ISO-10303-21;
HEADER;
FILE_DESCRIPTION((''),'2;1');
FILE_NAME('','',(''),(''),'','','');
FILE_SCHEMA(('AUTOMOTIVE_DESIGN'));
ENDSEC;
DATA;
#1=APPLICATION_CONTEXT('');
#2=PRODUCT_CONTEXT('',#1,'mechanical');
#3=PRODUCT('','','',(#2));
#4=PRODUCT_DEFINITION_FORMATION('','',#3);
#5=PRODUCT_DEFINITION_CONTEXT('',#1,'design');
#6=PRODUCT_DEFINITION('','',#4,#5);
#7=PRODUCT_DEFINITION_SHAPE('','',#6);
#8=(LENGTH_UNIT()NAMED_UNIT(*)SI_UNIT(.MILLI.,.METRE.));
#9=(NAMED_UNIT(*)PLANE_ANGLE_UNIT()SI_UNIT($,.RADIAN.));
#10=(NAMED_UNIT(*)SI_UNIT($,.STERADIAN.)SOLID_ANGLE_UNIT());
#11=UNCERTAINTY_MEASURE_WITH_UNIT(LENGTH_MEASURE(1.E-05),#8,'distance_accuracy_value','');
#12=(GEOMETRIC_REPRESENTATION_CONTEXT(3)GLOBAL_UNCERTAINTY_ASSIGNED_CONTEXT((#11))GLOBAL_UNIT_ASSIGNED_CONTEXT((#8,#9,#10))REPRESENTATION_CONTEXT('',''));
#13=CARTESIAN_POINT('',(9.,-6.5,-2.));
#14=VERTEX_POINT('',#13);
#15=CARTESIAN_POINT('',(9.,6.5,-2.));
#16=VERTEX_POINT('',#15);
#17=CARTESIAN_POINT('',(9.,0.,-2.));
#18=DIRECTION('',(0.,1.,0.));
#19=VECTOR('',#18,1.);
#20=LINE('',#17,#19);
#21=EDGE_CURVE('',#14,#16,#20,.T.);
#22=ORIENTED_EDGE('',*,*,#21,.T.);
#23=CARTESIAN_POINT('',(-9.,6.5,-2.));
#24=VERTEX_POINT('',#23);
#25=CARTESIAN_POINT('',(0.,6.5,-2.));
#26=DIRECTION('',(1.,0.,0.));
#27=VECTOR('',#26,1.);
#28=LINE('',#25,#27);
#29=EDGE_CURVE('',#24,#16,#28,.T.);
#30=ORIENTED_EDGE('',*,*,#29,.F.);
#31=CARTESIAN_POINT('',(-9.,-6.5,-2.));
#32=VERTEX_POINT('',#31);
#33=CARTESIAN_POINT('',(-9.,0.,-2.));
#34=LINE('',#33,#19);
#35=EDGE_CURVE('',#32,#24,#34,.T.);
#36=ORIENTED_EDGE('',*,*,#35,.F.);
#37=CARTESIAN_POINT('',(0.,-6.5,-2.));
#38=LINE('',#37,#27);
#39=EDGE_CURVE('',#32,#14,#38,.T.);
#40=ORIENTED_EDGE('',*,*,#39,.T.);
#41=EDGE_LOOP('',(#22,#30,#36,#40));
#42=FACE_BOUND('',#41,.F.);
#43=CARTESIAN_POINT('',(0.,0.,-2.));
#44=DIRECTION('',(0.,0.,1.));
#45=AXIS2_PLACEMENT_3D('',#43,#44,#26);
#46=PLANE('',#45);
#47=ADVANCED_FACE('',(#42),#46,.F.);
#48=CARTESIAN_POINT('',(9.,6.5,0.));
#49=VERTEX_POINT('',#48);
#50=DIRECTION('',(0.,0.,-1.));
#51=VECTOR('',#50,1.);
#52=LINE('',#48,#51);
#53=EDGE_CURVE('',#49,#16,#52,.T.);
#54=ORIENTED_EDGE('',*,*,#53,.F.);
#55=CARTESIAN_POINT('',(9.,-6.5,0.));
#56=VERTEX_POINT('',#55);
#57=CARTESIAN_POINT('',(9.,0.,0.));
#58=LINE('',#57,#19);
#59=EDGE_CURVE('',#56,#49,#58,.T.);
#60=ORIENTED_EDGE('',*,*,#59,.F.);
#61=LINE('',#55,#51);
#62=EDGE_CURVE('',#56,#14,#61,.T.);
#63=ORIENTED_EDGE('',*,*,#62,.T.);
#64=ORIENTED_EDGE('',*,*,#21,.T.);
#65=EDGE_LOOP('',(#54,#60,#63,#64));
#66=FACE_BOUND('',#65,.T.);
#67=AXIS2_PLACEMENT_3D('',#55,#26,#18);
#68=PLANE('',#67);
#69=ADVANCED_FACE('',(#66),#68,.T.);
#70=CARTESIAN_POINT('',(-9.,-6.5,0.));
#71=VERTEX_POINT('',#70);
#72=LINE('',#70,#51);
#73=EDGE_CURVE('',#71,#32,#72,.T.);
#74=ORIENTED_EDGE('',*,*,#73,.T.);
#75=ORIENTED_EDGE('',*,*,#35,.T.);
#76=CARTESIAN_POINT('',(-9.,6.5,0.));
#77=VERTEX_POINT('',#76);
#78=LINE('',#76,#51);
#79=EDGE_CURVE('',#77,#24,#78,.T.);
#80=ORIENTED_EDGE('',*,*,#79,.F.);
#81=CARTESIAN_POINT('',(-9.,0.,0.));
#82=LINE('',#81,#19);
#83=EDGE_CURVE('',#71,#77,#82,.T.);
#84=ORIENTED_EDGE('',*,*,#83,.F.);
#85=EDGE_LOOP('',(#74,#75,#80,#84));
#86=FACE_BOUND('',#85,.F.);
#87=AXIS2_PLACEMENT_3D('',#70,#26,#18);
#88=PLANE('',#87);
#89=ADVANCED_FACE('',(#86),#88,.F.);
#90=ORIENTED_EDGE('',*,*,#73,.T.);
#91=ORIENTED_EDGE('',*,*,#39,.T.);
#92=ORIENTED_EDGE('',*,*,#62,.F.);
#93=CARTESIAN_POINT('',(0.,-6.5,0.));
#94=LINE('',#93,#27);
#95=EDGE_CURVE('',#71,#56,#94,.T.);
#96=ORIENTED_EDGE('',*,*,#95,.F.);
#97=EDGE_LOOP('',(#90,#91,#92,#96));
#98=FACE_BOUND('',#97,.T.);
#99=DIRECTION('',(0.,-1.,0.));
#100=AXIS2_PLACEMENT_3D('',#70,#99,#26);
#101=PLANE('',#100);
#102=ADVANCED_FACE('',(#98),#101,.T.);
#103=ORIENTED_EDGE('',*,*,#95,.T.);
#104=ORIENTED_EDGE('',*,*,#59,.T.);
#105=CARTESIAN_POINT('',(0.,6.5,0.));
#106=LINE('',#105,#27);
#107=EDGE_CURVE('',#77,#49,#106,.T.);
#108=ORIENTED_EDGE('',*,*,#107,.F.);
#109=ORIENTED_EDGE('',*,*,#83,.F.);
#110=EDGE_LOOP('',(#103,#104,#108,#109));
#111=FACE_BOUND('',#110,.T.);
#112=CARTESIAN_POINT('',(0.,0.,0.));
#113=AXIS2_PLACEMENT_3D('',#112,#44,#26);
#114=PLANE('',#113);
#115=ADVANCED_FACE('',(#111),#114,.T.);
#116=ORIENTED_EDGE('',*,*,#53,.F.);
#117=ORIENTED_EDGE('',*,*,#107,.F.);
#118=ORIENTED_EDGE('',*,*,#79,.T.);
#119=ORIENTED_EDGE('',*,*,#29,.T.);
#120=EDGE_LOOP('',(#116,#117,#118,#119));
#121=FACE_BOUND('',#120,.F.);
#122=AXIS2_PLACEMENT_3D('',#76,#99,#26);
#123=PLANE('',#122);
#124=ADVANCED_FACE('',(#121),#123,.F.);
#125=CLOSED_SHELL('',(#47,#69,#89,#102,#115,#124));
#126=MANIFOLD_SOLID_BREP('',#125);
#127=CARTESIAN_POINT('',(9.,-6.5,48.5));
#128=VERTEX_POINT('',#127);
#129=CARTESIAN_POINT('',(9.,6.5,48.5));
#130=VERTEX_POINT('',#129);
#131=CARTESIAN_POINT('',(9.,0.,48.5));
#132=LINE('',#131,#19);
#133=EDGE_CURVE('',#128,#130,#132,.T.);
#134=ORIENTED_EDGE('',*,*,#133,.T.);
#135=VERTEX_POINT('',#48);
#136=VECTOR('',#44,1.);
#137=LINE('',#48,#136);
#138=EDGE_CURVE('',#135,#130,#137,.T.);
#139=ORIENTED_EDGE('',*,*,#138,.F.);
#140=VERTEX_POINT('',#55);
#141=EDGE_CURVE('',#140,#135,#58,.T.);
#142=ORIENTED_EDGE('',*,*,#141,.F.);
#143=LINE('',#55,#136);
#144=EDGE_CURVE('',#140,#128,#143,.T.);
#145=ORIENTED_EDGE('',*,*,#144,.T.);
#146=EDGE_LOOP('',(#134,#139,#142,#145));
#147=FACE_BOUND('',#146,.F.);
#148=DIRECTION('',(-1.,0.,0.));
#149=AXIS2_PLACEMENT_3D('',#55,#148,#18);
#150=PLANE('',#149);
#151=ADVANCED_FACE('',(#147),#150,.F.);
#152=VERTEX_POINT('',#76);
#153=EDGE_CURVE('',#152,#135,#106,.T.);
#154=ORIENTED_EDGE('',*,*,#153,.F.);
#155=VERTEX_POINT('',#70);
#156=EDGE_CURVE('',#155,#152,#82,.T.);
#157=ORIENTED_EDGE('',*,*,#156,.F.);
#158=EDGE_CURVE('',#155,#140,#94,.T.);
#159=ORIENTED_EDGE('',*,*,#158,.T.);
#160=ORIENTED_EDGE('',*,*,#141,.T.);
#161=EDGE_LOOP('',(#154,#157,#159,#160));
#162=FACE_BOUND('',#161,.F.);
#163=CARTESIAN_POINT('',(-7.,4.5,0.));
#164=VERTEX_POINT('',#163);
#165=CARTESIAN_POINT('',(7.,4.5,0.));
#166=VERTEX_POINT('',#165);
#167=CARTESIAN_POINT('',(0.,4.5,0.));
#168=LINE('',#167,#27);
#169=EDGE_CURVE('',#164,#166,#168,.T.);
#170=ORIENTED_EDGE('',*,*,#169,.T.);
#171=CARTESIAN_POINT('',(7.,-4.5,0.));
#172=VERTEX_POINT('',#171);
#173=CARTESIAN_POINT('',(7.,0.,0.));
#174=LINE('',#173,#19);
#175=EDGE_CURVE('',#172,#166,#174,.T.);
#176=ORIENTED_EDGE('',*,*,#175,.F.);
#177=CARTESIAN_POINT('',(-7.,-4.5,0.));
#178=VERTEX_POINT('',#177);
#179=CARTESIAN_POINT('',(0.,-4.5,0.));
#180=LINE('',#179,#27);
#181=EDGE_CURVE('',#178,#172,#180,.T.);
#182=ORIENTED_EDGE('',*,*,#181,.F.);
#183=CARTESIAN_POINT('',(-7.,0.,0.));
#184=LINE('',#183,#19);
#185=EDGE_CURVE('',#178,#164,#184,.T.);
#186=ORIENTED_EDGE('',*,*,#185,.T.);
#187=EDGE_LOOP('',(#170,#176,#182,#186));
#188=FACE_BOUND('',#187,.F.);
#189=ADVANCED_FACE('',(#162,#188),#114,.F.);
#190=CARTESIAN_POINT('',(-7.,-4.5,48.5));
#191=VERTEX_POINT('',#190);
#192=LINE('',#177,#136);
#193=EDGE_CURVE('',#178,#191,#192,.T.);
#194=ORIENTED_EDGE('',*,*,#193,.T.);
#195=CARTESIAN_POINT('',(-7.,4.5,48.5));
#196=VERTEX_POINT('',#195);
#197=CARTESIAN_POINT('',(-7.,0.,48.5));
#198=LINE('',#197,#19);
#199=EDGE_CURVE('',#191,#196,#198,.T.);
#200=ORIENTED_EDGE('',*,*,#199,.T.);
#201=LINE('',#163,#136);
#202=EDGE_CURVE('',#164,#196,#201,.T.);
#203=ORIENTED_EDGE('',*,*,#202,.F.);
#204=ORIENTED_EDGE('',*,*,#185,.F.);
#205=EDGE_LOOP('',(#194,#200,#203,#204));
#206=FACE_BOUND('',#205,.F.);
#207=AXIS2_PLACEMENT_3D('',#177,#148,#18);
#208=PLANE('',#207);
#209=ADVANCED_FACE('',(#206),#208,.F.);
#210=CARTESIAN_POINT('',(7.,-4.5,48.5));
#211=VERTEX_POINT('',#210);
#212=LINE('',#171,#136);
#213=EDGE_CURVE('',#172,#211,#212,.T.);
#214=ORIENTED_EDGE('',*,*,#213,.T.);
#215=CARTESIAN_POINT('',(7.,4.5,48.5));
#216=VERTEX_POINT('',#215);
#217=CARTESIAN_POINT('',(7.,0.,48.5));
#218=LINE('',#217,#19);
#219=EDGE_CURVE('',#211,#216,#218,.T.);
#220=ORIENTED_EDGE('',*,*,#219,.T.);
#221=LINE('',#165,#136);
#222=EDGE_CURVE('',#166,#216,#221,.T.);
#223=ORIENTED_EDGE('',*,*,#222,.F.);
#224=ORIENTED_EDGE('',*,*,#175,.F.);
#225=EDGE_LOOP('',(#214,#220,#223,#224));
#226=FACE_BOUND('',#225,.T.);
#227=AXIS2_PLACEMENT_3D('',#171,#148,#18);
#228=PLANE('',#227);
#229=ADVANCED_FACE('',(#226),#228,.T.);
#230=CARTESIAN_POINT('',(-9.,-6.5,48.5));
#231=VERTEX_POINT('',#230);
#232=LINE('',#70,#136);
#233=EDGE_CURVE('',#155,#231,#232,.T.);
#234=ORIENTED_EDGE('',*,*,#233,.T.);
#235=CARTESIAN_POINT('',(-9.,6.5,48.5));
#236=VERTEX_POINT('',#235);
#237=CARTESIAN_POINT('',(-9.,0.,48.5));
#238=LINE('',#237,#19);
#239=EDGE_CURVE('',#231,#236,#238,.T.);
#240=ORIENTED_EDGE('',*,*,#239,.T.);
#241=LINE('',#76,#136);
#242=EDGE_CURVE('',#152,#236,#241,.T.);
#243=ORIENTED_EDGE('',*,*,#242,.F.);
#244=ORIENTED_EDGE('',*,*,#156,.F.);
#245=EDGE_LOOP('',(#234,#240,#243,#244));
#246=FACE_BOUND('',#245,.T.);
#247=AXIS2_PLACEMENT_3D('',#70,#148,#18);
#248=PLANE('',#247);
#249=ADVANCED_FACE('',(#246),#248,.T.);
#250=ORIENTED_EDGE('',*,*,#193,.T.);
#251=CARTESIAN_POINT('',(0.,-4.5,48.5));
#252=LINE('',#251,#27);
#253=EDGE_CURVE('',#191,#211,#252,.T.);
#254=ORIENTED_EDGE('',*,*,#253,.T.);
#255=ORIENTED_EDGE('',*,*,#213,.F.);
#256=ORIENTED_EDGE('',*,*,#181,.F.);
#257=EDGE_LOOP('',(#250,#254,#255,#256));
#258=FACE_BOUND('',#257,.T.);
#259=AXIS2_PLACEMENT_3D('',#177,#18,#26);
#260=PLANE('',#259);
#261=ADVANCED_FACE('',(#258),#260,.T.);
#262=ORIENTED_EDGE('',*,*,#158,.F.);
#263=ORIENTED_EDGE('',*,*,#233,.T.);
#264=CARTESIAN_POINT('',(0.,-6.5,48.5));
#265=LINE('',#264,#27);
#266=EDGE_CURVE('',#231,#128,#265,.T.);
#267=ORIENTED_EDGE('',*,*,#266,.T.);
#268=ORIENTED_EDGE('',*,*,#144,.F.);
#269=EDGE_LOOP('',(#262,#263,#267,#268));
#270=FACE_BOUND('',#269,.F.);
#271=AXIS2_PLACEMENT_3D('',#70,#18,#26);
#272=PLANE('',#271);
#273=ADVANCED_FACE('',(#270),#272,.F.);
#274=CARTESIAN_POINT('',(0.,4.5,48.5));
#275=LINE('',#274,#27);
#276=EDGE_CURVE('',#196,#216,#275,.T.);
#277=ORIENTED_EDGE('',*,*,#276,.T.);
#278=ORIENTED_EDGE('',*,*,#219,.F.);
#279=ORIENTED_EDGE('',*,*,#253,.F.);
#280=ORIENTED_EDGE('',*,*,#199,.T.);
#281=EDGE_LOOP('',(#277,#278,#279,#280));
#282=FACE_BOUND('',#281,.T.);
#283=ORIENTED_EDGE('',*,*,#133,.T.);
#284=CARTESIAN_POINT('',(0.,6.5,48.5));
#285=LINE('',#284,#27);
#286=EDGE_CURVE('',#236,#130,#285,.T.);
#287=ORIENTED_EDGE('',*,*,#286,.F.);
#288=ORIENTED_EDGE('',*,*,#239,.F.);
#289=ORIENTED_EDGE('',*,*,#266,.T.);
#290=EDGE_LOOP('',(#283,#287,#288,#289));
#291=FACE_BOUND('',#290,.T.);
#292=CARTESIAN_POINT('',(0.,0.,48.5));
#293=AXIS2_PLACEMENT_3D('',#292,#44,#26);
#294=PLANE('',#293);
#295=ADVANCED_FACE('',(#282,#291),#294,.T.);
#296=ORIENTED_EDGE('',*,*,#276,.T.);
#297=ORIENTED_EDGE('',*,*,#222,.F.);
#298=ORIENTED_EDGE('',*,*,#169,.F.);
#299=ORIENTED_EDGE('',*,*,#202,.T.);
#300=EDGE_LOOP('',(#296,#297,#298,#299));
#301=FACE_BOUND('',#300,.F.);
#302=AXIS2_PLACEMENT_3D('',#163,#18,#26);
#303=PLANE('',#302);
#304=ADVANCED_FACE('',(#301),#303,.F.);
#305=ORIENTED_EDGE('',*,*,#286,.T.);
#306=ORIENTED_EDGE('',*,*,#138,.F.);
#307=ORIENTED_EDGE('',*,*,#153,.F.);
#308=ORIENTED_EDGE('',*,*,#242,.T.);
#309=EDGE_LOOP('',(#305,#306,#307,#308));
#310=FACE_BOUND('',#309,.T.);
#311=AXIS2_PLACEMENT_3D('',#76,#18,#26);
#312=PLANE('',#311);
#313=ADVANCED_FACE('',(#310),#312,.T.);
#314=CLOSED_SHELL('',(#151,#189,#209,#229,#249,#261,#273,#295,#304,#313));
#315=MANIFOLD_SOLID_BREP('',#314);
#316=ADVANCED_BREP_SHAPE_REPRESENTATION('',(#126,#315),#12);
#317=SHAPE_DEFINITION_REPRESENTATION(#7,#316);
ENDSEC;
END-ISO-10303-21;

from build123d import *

# Parameters (mm, degrees)
F0_W     = 18
F0_H     = 13
F0_W_2   = 14
F0_H_2   = 9
F1_DEPTH = 48.5
F2_DEPTH = 2


with BuildPart() as f1:
    # F0 (on Top) → F1 (new body)
    with BuildSketch(Plane.XY):
        Rectangle(F0_W, F0_H)
        Rectangle(F0_W_2, F0_H_2, mode=Mode.SUBTRACT)
    extrude(amount=F1_DEPTH)


with BuildPart() as f2:
    # F0 (on Top) → F2 (new body)
    with BuildSketch(Plane.XY):
        Rectangle(F0_W, F0_H)
        Rectangle(F0_W_2, F0_H_2, mode=Mode.SUBTRACT)
        Rectangle(F0_W_2, F0_H_2)
    extrude(amount=-F2_DEPTH)


solid = Compound([f1.part, f2.part])
